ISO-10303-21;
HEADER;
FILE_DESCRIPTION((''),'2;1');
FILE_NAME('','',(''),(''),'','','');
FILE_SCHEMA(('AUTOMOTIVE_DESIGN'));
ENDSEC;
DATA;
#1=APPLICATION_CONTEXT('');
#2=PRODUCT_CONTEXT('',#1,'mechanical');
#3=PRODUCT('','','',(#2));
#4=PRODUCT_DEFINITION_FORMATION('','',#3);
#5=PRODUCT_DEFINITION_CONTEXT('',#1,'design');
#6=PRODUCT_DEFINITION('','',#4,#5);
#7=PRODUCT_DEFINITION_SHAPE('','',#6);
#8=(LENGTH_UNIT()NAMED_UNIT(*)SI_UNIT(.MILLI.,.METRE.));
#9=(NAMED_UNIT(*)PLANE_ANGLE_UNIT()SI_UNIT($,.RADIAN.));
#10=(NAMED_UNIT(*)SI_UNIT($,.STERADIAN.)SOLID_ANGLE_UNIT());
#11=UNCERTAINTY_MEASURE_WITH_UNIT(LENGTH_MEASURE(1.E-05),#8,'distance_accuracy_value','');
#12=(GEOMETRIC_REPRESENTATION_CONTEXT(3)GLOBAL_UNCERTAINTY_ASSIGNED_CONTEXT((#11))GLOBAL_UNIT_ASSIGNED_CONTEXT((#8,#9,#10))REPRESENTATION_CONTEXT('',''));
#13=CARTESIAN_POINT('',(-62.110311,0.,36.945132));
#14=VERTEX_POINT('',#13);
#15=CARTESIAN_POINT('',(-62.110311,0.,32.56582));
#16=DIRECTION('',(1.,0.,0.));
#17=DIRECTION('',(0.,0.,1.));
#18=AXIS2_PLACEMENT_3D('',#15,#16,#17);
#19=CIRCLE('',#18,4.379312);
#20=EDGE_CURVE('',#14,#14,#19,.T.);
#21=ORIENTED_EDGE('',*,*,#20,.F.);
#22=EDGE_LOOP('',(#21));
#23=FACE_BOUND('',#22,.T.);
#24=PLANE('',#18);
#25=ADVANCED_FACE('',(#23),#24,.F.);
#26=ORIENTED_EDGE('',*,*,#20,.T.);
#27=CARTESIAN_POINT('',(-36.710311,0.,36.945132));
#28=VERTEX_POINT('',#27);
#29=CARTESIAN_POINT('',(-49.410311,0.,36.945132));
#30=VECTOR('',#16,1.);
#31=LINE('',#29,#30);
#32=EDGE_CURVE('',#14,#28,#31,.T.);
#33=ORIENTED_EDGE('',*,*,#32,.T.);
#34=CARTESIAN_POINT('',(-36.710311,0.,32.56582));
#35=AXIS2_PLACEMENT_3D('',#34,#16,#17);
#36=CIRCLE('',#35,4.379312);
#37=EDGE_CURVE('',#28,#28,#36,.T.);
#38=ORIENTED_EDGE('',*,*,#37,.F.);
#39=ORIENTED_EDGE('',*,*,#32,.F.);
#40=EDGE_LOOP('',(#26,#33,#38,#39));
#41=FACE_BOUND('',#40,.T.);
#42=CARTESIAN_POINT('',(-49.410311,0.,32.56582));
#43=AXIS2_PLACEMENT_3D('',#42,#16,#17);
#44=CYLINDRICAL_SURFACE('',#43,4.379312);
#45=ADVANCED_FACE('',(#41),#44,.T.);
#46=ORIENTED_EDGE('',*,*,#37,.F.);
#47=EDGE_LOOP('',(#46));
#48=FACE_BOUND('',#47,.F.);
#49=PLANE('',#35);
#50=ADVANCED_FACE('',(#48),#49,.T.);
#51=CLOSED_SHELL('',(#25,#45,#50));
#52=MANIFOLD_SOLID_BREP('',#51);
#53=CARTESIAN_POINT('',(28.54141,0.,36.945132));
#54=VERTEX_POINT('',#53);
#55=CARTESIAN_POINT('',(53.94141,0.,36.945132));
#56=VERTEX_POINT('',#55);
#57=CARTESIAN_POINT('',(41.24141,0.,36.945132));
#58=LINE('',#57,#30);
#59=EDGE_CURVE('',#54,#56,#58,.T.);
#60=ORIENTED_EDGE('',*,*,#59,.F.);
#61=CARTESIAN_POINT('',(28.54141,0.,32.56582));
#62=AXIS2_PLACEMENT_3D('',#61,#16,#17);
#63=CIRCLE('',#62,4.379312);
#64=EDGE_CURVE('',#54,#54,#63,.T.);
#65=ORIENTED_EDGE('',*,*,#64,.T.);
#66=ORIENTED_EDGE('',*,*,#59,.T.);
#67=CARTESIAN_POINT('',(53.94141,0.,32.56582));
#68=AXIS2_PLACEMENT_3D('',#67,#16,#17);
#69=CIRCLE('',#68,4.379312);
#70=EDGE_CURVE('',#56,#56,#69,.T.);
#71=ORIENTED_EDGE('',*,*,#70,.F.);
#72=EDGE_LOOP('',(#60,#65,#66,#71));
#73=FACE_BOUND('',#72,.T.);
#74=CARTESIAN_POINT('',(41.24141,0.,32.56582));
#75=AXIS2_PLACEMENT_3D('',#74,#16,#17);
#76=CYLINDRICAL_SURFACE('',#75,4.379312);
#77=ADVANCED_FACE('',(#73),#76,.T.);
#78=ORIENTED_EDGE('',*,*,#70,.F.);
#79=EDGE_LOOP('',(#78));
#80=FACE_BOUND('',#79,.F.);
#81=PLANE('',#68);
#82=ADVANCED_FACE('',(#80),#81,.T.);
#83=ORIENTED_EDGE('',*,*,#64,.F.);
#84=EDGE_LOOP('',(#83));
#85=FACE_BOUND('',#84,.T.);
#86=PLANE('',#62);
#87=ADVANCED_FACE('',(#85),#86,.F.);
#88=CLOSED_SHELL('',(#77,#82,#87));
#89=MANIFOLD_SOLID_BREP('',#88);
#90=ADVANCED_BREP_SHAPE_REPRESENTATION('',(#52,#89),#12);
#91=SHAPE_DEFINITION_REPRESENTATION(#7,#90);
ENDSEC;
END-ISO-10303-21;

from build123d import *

# Parameters (mm, degrees)
F0_W = 25.4
F0_H = 4.379312


with BuildPart() as f1:
    # F0 (on Front) → F1 (revolve)
    with BuildSketch(Plane.XZ):
        with Locations((-49.410311, 34.755476)):
            Rectangle(F0_W, F0_H)
        with Locations((41.24141, 34.755476)):
            Rectangle(F0_W, F0_H)
    revolve(axis=Axis((-49.410311, 0, 32.56582), (1, 0, 0)))


solid = f1.part
